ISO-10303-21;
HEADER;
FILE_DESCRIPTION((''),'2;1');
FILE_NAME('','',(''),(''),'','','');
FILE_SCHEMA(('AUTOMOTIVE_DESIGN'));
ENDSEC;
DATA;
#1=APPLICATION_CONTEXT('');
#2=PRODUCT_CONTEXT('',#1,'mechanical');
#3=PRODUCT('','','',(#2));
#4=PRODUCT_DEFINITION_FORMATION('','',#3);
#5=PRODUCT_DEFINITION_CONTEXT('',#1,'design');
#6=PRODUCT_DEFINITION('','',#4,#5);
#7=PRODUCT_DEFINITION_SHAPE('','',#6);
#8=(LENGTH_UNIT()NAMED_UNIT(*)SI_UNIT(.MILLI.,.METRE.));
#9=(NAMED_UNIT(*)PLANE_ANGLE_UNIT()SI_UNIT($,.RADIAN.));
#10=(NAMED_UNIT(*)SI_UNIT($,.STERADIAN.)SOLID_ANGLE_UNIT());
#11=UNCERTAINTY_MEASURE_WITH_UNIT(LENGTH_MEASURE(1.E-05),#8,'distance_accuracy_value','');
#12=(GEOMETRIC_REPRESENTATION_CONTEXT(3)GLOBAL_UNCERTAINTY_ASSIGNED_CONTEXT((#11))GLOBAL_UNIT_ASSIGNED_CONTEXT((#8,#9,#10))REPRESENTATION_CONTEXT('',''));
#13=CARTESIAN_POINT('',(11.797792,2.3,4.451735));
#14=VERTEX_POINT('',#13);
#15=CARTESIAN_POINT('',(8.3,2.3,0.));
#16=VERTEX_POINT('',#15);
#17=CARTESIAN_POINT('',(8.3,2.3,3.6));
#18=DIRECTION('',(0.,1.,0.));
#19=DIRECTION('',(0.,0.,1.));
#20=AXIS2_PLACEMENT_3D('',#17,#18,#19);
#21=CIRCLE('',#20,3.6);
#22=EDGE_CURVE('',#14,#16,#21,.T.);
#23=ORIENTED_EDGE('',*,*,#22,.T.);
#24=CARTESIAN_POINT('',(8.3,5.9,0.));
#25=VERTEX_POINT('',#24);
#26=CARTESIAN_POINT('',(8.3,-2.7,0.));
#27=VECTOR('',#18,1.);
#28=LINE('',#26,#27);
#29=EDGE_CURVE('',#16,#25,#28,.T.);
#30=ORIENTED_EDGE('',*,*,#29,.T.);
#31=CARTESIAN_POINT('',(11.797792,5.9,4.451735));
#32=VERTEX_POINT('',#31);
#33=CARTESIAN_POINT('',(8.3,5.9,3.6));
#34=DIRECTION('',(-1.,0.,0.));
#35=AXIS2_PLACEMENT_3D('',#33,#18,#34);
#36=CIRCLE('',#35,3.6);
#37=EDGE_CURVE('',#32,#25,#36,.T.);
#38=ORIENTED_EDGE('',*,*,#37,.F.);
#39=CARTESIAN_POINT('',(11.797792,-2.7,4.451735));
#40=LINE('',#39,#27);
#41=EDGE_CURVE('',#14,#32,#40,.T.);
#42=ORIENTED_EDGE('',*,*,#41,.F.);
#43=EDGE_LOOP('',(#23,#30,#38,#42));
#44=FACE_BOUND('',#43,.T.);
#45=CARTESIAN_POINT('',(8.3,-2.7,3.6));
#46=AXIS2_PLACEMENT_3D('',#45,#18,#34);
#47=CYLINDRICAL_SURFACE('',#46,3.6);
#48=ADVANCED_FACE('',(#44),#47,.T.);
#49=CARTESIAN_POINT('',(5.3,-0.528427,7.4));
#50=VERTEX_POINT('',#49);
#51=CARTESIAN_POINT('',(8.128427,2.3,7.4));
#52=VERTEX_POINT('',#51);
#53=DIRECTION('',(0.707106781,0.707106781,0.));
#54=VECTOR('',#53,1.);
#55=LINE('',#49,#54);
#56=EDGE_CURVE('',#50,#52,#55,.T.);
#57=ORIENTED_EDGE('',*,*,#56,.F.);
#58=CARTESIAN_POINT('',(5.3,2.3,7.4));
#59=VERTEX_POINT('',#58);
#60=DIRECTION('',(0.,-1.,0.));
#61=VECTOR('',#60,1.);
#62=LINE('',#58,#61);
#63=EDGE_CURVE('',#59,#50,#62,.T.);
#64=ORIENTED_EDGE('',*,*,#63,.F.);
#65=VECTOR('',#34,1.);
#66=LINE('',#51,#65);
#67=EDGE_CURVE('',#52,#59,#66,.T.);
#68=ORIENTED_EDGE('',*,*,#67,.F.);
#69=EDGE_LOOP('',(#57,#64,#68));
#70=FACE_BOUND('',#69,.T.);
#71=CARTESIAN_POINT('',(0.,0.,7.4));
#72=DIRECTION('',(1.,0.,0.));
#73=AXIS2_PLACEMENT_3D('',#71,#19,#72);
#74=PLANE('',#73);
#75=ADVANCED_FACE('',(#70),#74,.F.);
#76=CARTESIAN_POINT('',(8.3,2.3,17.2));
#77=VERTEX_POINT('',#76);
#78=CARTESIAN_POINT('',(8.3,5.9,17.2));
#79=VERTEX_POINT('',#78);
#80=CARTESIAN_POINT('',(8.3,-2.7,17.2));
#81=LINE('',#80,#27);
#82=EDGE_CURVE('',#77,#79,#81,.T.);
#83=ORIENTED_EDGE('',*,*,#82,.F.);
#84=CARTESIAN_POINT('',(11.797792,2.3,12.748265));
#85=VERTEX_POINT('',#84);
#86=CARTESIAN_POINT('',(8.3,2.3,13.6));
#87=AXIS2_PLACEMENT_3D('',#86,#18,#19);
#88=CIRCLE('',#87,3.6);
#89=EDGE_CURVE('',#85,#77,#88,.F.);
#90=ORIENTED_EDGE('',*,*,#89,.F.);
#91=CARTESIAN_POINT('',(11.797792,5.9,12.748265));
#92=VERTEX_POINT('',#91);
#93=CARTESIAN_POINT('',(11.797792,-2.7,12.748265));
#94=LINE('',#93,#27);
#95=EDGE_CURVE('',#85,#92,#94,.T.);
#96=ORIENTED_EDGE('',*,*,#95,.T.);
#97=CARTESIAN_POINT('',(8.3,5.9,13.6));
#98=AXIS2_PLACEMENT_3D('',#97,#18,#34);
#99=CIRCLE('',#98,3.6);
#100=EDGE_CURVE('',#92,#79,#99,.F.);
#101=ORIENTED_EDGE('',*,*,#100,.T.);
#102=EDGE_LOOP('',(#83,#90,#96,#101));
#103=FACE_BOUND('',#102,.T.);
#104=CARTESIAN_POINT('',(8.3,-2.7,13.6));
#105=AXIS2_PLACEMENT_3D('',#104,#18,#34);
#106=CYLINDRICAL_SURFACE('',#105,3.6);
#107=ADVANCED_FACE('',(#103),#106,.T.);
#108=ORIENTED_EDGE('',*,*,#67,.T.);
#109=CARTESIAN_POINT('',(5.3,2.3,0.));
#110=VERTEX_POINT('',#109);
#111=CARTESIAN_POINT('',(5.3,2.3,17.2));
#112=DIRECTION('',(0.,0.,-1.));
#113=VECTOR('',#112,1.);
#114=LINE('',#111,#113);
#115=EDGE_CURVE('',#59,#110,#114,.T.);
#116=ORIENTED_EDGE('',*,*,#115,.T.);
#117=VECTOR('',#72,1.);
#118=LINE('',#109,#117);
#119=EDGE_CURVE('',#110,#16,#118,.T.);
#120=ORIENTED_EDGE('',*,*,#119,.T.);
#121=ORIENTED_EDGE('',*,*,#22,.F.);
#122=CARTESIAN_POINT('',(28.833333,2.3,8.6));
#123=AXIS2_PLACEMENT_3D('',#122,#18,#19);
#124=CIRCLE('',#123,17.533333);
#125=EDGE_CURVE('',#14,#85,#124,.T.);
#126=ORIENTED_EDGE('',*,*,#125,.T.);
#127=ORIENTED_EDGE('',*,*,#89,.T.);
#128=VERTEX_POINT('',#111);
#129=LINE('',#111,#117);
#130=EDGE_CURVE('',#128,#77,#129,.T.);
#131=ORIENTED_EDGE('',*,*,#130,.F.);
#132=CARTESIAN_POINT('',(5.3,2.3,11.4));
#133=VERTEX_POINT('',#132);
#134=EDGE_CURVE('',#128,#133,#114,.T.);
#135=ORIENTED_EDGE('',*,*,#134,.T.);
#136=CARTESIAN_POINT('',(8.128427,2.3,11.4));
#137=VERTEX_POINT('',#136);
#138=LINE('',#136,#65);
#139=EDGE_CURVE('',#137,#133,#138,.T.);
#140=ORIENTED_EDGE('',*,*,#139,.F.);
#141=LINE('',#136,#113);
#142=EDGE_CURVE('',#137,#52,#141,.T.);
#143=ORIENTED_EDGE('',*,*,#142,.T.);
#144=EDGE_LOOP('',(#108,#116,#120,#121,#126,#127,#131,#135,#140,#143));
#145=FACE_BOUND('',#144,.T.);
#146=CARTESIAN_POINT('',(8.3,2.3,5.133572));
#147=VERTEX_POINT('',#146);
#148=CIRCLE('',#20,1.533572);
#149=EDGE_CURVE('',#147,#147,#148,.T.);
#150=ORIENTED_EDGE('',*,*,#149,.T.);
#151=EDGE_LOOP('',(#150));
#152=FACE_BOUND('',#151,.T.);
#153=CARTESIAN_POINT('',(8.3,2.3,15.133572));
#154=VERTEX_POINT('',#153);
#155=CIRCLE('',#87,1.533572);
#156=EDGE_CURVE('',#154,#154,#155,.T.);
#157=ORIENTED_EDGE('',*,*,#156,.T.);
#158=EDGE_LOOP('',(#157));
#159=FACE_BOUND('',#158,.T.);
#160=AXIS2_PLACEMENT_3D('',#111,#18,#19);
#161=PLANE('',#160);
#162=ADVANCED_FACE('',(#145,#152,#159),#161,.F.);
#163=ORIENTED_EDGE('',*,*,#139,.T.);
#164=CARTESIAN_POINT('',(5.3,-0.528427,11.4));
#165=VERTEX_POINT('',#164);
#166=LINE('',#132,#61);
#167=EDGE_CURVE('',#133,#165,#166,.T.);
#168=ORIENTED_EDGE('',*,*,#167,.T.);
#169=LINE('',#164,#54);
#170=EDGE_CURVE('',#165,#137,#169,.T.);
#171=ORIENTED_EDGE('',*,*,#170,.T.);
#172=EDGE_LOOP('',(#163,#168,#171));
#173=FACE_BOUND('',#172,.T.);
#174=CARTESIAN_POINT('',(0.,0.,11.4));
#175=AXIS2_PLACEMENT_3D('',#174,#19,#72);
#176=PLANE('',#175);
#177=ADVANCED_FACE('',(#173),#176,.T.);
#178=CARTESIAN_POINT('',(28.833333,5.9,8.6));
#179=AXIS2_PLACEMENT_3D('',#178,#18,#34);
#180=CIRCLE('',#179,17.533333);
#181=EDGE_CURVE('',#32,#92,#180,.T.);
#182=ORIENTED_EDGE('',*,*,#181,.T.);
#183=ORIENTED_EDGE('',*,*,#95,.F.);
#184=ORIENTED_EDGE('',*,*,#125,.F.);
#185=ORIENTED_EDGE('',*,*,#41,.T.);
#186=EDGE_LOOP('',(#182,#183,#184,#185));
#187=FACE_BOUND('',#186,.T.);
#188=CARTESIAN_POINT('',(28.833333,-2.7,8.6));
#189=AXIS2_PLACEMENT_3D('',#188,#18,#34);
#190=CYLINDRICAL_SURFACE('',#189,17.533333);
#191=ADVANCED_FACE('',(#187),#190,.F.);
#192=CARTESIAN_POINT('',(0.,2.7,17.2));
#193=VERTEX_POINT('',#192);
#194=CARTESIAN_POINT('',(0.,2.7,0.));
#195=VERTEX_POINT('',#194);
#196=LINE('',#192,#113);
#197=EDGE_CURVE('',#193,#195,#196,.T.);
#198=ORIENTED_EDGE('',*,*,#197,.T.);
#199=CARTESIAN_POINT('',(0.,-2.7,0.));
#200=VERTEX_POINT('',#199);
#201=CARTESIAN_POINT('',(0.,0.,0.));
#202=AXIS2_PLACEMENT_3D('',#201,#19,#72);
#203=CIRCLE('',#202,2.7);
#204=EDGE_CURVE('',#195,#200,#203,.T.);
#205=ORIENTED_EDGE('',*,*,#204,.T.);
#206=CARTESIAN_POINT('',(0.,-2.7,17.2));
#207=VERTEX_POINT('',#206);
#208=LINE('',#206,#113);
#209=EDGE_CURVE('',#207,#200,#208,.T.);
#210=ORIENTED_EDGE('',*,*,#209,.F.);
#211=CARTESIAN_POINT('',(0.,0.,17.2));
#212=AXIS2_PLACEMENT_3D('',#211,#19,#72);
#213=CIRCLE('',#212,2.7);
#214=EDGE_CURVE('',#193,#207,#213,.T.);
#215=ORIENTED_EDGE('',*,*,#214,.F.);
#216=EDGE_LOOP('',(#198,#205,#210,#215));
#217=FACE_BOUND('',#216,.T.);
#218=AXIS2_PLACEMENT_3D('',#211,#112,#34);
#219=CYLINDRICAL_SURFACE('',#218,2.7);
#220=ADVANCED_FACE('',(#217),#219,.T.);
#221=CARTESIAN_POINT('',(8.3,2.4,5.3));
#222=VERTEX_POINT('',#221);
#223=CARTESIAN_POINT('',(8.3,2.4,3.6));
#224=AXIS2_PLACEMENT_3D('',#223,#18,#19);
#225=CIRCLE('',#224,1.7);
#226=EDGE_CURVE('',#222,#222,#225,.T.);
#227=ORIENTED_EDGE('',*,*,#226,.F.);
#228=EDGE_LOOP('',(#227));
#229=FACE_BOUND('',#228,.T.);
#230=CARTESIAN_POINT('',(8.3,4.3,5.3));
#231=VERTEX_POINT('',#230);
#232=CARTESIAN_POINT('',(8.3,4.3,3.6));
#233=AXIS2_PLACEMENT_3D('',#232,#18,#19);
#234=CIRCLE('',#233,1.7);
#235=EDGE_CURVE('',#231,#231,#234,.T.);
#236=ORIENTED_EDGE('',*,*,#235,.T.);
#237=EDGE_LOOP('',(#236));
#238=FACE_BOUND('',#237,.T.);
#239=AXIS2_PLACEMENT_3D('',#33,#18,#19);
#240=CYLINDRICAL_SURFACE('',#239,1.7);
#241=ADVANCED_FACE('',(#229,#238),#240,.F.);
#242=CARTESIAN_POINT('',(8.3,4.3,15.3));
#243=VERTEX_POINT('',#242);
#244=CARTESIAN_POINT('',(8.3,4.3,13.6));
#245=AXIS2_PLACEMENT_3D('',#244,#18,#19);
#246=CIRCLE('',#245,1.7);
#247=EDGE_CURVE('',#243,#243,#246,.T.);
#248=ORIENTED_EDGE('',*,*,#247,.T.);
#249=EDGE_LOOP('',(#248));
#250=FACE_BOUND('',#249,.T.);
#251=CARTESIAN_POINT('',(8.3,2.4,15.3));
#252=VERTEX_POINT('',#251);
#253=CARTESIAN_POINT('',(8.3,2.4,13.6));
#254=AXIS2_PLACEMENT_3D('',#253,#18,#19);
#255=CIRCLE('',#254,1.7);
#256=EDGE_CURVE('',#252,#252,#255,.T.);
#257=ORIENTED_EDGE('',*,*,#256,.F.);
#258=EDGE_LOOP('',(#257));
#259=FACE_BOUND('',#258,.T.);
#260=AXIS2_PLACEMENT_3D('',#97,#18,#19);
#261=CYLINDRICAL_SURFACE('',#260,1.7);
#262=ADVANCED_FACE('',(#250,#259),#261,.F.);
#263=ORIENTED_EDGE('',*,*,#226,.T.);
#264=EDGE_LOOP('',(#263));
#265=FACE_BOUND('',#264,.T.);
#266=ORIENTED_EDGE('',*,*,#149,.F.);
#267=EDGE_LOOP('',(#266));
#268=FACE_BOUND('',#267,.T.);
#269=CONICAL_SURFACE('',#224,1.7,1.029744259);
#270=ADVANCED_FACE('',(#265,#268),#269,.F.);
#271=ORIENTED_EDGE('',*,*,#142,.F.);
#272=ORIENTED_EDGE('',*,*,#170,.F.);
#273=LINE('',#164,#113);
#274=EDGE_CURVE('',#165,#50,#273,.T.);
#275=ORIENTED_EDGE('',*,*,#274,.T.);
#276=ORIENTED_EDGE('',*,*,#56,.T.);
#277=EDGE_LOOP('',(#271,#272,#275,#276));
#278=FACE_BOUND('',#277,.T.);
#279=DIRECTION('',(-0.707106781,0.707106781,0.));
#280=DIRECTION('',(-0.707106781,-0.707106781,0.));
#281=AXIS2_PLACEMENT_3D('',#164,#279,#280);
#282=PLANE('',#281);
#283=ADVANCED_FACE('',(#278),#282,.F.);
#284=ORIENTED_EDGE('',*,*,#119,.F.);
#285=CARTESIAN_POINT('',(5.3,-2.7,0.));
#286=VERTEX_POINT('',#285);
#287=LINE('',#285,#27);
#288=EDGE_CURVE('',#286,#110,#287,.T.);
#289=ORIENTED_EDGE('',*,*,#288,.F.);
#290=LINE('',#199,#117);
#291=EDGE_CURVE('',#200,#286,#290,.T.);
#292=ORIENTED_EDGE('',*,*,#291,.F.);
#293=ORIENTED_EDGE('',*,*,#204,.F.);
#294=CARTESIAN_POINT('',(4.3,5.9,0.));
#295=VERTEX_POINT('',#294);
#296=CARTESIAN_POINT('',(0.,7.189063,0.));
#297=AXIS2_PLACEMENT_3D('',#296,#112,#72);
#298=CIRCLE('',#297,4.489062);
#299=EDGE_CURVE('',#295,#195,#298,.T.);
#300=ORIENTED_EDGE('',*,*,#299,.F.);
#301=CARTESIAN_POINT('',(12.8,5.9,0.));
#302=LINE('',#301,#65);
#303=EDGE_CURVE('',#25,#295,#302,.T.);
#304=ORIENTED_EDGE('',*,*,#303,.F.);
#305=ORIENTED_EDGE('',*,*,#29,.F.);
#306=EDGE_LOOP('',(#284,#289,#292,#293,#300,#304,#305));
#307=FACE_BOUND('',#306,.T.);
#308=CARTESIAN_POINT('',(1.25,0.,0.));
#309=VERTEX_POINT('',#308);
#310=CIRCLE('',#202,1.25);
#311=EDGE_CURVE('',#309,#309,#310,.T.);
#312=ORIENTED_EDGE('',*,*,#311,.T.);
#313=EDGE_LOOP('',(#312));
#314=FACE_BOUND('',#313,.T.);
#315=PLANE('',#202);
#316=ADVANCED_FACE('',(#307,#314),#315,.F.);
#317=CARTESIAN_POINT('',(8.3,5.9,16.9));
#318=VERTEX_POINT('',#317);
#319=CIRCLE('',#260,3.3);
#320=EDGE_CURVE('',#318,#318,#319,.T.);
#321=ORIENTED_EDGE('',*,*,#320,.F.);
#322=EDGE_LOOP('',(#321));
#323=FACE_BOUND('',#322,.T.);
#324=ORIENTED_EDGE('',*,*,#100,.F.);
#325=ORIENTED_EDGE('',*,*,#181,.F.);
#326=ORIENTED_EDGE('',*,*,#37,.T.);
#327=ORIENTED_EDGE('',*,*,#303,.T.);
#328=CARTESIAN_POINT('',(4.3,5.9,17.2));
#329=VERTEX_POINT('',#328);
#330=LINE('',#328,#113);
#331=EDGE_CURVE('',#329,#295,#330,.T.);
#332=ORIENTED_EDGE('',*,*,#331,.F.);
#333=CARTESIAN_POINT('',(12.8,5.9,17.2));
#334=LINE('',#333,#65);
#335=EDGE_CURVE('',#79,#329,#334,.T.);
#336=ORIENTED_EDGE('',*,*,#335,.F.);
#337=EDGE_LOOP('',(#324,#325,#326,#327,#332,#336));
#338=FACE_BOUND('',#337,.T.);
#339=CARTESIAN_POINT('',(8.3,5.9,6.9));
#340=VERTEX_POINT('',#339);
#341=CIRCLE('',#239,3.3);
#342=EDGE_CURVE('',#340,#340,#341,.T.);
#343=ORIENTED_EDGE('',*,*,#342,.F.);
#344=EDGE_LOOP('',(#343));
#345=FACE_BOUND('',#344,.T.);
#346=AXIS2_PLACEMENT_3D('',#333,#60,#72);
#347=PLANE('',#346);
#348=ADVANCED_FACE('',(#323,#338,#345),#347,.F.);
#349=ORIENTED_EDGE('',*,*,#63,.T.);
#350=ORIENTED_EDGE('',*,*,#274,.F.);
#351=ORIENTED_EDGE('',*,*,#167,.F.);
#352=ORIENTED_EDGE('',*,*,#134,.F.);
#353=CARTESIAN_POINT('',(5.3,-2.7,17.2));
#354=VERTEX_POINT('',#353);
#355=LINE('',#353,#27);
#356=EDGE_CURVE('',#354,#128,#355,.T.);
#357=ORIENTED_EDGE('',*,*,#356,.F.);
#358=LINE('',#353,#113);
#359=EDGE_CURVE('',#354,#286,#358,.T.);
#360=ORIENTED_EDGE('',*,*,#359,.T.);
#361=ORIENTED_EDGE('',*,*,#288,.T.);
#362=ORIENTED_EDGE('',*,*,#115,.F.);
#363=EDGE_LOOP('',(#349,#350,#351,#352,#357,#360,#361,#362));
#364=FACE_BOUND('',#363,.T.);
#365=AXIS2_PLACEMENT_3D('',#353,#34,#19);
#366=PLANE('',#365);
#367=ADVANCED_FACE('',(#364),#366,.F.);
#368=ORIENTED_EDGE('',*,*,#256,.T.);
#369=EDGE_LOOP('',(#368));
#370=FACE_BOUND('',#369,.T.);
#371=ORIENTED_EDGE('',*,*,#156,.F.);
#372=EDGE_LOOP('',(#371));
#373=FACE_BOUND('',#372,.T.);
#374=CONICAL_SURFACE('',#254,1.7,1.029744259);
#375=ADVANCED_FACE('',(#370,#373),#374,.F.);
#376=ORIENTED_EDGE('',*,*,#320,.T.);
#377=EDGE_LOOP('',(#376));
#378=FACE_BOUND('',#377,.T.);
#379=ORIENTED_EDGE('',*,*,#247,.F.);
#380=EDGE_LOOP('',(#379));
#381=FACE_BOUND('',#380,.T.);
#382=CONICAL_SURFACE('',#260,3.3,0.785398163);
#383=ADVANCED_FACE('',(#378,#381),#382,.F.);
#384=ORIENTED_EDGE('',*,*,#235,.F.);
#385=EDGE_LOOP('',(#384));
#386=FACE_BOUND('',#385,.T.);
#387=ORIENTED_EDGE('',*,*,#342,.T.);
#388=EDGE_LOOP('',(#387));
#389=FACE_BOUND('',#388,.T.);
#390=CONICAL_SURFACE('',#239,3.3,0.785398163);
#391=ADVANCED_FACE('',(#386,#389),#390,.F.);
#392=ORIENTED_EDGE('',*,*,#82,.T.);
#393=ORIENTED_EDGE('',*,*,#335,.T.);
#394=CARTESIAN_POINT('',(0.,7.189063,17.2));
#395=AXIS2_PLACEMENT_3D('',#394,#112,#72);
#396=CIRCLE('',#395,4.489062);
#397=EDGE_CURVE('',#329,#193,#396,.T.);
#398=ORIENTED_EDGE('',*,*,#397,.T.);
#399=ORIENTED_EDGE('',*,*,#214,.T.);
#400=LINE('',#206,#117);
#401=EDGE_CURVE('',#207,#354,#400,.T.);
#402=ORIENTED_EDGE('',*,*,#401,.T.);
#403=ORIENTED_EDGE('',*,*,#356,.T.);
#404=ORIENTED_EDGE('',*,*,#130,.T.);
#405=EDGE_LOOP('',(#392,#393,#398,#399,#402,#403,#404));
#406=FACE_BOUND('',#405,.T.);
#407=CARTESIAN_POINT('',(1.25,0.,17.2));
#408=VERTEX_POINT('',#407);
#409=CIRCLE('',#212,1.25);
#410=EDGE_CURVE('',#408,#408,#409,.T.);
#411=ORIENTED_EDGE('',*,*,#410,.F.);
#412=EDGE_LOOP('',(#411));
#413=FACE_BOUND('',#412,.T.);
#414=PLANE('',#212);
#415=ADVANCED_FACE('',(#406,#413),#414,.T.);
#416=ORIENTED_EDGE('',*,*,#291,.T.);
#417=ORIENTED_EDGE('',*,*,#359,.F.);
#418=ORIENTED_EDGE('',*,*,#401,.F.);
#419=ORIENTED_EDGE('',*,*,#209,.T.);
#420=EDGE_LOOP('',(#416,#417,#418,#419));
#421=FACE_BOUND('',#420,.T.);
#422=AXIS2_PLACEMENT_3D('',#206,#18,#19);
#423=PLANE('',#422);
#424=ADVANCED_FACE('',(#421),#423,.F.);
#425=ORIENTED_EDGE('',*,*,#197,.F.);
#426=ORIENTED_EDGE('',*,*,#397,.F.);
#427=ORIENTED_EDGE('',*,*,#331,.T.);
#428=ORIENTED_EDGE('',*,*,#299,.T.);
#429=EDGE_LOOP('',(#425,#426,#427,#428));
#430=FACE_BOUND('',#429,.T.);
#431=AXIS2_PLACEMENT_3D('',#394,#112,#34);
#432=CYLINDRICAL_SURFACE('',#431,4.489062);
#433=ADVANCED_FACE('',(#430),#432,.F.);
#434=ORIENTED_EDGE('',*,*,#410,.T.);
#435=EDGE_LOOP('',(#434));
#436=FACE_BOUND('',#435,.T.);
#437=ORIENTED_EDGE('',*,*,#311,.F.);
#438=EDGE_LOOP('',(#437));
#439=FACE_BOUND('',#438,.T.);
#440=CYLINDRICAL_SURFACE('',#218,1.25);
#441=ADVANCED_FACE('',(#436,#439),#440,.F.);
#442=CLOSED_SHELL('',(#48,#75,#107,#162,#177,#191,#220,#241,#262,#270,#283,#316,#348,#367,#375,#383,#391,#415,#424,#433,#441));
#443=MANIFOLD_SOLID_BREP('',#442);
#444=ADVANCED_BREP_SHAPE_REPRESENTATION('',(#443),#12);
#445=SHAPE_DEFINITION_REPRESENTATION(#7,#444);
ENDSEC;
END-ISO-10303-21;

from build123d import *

# Parameters (mm, degrees)
SKETCH_1_R                = 1.25
EXTRUDE_1_DEPTH           = 17.2
CUT_EXTRUDE_1_DEPTH       = 9.6
HOLE_WIZARD_1_D           = 3.4
HOLE_WIZARD_1_DEPTH       = 3.5
HOLE_WIZARD_1_CSINK_D     = 6.6
HOLE_WIZARD_1_CSINK_ANGLE = 90
HOLE_WIZARD_1_TIP         = 1.021463052
EXTRUDE_3_DEPTH           = 4


with BuildPart() as part:
    # 草图1 → 凸台-拉伸1 (new body)
    with BuildSketch(Plane.XY):
        with BuildLine():
            Line((0, -2.7), (5.3, -2.7))
            Line((5.3, -2.7), (5.3, 2.3))
            Line((5.3, 2.3), (12.8, 2.3))
            Line((12.8, 2.3), (12.8, 5.9))
            Line((12.8, 5.9), (4.3, 5.9))
            ThreePointArc((4.3, 5.9), (2.680018657, 3.58778743), (0, 2.7))
            ThreePointArc((0, 2.7), (-2.7, 0), (0, -2.7))
        make_face()
        Circle(SKETCH_1_R, mode=Mode.SUBTRACT)
    extrude(amount=EXTRUDE_1_DEPTH)

    # 草图2 → 切除-拉伸1 (cut, through all)
    with BuildSketch(Plane(origin=(0, 5.9, 0), x_dir=(1, 0, 0), z_dir=(0, 1, 0))):
        with BuildLine():
            Line((12.8, -17.2), (12.8, 0))
            Line((12.8, 0), (8.3, 0))
            ThreePointArc((8.3, 0), (10.845584412, -1.054415588), (11.9, -3.6))
            ThreePointArc((11.9, -3.6), (11.874356619, -4.028922794), (11.797791798, -4.451735016))
            ThreePointArc((11.797791798, -4.451735016), (11.3, -8.6), (11.797791798, -12.748264984))
            ThreePointArc((11.797791798, -12.748264984), (11.874356619, -13.171077206), (11.9, -13.6))
            ThreePointArc((11.9, -13.6), (10.845584412, -16.145584412), (8.3, -17.2))
            Line((8.3, -17.2), (12.8, -17.2))
        make_face()
    extrude(amount=-CUT_EXTRUDE_1_DEPTH, mode=Mode.SUBTRACT)

    # 打孔尺寸(%根据)开槽半沉头木螺钉的类型1
    with Locations(Plane(origin=(8.3, 5.9, 3.6), x_dir=(1, 0, 0), z_dir=(0, 1, 0))):
        with Locations((0, 0), (0, -10)):
            CounterSinkHole(HOLE_WIZARD_1_D / 2, HOLE_WIZARD_1_CSINK_D / 2, depth=HOLE_WIZARD_1_DEPTH, counter_sink_angle=HOLE_WIZARD_1_CSINK_ANGLE)
            with Locations((0, 0, -(HOLE_WIZARD_1_DEPTH + HOLE_WIZARD_1_TIP / 2))):  # 118° drill point
                Cone(0, HOLE_WIZARD_1_D / 2, HOLE_WIZARD_1_TIP, mode=Mode.SUBTRACT)

    # 草图5 → 凸台-拉伸3 (add)
    with BuildSketch(Plane.XY.offset(7.4)):
        Polygon((5.3, 2.3), (5.3, -0.528427125), (8.128427125, 2.3), align=None)
    extrude(amount=EXTRUDE_3_DEPTH)


solid = part.part
